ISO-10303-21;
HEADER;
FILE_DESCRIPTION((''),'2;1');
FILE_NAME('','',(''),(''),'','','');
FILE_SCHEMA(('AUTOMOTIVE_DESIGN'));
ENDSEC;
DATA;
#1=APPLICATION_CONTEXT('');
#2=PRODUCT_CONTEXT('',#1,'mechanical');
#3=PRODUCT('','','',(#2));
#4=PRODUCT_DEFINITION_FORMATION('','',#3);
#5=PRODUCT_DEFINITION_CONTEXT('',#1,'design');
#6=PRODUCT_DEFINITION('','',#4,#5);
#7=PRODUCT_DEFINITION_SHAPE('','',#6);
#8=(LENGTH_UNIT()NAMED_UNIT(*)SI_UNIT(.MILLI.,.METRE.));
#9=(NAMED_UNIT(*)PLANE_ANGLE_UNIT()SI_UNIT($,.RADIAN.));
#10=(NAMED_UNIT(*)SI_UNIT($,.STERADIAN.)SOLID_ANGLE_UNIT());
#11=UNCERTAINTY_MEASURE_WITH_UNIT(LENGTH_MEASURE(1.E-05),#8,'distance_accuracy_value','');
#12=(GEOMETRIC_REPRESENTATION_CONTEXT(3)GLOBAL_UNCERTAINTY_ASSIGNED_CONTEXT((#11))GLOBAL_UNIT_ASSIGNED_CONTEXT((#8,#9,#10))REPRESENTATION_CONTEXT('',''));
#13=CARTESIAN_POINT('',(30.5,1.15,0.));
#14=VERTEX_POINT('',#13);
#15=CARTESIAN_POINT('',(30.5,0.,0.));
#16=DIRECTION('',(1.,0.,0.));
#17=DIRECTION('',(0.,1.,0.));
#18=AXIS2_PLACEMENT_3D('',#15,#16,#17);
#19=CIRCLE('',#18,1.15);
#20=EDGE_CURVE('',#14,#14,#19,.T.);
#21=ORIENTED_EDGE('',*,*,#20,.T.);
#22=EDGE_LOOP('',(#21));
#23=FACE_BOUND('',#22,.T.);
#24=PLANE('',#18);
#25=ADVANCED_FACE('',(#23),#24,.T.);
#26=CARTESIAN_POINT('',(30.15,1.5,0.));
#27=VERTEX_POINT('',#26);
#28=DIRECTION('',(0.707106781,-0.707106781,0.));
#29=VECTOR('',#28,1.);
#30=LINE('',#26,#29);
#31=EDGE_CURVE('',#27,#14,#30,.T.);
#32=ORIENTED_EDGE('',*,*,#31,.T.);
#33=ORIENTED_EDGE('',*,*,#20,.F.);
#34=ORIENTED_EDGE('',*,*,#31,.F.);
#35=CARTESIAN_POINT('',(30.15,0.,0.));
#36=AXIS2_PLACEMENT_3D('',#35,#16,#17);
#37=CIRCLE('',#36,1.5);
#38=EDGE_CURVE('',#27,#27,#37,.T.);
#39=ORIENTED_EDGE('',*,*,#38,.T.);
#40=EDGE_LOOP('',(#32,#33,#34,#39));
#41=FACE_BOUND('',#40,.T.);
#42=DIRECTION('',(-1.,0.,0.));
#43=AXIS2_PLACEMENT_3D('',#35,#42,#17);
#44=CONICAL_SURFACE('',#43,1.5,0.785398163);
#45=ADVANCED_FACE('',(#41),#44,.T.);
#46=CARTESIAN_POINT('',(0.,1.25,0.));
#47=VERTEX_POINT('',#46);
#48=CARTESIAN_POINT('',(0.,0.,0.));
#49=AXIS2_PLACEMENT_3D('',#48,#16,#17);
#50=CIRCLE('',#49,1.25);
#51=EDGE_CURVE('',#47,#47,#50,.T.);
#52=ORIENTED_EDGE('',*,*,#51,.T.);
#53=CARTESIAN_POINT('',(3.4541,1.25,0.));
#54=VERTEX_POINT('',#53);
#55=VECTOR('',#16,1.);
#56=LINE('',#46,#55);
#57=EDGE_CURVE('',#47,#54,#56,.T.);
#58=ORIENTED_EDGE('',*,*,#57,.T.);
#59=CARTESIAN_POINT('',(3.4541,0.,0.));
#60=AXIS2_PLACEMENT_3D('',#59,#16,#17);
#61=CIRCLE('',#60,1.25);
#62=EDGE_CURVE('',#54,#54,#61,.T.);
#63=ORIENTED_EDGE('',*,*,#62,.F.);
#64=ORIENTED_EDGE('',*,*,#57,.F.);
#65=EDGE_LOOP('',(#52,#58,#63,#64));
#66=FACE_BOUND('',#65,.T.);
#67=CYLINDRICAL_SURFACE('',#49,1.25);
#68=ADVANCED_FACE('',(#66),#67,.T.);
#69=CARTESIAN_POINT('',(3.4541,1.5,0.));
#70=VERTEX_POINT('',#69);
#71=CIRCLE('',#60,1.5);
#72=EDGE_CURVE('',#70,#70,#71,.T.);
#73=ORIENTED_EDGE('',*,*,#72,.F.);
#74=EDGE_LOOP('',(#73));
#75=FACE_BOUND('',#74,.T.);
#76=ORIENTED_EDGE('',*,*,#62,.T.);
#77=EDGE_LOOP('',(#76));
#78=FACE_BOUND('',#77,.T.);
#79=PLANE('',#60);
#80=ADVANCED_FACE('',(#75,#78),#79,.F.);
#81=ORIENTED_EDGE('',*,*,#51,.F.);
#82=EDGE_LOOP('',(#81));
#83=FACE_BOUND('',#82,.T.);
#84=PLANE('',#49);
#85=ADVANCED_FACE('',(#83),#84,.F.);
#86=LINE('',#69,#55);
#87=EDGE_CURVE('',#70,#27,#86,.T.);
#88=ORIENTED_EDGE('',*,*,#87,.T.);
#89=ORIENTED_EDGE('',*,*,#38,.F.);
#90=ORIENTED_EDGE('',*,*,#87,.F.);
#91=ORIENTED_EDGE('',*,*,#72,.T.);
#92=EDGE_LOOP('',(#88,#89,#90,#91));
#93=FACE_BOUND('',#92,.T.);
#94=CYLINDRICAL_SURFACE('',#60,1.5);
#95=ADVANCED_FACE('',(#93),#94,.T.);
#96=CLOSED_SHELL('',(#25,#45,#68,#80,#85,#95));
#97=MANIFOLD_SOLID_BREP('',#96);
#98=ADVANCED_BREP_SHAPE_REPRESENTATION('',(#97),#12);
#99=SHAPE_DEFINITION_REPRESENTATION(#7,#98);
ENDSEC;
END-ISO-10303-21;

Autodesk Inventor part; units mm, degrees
ref_plane "YZ Plane" through (0, 0, 0) normal (1, 0, 0) x (0, 1, 0)
ref_plane "XZ Plane" through (0, 0, 0) normal (0, 1, 0) x (-1, 0, 0)
ref_plane "XY Plane" through (0, 0, 0) normal (0, 0, 1) x (1, 0, 0)
sketch "Skizze4" plane through (0, 0, 0) normal (0, 0, 1) x (1, 0, 0)
  line L0 (0, 0) -> (0, 1.25)
  line L1 (0, 1.25) -> (3.4541, 1.25)
  line L2 (3.4541, 1.25) -> (3.4541, 1.5)
  line L3 (3.4541, 1.5) -> (30.5, 1.5)
  line L4 (30.5, 1.5) -> (30.5, 0)
  line L5 (0, 0) -> (30.5, 0)
  dimension "d11" = 30.5
  dimension "d12" = 3
  dimension "d13" = 2.5
revolve "Umdrehung2" add sketch "Skizze4" angle 360 about axis through (0, 0, 0) along (1, 0, 0)
thread "Gewinde2" size "M2.5x0.45" class "6g" standard "ISO Metric profile" length 4
chamfer "Fasen1" distance 0.35 angle 45 1 edges at (30.5, -1.5, 0)
properties part number "kurbelwelle"
